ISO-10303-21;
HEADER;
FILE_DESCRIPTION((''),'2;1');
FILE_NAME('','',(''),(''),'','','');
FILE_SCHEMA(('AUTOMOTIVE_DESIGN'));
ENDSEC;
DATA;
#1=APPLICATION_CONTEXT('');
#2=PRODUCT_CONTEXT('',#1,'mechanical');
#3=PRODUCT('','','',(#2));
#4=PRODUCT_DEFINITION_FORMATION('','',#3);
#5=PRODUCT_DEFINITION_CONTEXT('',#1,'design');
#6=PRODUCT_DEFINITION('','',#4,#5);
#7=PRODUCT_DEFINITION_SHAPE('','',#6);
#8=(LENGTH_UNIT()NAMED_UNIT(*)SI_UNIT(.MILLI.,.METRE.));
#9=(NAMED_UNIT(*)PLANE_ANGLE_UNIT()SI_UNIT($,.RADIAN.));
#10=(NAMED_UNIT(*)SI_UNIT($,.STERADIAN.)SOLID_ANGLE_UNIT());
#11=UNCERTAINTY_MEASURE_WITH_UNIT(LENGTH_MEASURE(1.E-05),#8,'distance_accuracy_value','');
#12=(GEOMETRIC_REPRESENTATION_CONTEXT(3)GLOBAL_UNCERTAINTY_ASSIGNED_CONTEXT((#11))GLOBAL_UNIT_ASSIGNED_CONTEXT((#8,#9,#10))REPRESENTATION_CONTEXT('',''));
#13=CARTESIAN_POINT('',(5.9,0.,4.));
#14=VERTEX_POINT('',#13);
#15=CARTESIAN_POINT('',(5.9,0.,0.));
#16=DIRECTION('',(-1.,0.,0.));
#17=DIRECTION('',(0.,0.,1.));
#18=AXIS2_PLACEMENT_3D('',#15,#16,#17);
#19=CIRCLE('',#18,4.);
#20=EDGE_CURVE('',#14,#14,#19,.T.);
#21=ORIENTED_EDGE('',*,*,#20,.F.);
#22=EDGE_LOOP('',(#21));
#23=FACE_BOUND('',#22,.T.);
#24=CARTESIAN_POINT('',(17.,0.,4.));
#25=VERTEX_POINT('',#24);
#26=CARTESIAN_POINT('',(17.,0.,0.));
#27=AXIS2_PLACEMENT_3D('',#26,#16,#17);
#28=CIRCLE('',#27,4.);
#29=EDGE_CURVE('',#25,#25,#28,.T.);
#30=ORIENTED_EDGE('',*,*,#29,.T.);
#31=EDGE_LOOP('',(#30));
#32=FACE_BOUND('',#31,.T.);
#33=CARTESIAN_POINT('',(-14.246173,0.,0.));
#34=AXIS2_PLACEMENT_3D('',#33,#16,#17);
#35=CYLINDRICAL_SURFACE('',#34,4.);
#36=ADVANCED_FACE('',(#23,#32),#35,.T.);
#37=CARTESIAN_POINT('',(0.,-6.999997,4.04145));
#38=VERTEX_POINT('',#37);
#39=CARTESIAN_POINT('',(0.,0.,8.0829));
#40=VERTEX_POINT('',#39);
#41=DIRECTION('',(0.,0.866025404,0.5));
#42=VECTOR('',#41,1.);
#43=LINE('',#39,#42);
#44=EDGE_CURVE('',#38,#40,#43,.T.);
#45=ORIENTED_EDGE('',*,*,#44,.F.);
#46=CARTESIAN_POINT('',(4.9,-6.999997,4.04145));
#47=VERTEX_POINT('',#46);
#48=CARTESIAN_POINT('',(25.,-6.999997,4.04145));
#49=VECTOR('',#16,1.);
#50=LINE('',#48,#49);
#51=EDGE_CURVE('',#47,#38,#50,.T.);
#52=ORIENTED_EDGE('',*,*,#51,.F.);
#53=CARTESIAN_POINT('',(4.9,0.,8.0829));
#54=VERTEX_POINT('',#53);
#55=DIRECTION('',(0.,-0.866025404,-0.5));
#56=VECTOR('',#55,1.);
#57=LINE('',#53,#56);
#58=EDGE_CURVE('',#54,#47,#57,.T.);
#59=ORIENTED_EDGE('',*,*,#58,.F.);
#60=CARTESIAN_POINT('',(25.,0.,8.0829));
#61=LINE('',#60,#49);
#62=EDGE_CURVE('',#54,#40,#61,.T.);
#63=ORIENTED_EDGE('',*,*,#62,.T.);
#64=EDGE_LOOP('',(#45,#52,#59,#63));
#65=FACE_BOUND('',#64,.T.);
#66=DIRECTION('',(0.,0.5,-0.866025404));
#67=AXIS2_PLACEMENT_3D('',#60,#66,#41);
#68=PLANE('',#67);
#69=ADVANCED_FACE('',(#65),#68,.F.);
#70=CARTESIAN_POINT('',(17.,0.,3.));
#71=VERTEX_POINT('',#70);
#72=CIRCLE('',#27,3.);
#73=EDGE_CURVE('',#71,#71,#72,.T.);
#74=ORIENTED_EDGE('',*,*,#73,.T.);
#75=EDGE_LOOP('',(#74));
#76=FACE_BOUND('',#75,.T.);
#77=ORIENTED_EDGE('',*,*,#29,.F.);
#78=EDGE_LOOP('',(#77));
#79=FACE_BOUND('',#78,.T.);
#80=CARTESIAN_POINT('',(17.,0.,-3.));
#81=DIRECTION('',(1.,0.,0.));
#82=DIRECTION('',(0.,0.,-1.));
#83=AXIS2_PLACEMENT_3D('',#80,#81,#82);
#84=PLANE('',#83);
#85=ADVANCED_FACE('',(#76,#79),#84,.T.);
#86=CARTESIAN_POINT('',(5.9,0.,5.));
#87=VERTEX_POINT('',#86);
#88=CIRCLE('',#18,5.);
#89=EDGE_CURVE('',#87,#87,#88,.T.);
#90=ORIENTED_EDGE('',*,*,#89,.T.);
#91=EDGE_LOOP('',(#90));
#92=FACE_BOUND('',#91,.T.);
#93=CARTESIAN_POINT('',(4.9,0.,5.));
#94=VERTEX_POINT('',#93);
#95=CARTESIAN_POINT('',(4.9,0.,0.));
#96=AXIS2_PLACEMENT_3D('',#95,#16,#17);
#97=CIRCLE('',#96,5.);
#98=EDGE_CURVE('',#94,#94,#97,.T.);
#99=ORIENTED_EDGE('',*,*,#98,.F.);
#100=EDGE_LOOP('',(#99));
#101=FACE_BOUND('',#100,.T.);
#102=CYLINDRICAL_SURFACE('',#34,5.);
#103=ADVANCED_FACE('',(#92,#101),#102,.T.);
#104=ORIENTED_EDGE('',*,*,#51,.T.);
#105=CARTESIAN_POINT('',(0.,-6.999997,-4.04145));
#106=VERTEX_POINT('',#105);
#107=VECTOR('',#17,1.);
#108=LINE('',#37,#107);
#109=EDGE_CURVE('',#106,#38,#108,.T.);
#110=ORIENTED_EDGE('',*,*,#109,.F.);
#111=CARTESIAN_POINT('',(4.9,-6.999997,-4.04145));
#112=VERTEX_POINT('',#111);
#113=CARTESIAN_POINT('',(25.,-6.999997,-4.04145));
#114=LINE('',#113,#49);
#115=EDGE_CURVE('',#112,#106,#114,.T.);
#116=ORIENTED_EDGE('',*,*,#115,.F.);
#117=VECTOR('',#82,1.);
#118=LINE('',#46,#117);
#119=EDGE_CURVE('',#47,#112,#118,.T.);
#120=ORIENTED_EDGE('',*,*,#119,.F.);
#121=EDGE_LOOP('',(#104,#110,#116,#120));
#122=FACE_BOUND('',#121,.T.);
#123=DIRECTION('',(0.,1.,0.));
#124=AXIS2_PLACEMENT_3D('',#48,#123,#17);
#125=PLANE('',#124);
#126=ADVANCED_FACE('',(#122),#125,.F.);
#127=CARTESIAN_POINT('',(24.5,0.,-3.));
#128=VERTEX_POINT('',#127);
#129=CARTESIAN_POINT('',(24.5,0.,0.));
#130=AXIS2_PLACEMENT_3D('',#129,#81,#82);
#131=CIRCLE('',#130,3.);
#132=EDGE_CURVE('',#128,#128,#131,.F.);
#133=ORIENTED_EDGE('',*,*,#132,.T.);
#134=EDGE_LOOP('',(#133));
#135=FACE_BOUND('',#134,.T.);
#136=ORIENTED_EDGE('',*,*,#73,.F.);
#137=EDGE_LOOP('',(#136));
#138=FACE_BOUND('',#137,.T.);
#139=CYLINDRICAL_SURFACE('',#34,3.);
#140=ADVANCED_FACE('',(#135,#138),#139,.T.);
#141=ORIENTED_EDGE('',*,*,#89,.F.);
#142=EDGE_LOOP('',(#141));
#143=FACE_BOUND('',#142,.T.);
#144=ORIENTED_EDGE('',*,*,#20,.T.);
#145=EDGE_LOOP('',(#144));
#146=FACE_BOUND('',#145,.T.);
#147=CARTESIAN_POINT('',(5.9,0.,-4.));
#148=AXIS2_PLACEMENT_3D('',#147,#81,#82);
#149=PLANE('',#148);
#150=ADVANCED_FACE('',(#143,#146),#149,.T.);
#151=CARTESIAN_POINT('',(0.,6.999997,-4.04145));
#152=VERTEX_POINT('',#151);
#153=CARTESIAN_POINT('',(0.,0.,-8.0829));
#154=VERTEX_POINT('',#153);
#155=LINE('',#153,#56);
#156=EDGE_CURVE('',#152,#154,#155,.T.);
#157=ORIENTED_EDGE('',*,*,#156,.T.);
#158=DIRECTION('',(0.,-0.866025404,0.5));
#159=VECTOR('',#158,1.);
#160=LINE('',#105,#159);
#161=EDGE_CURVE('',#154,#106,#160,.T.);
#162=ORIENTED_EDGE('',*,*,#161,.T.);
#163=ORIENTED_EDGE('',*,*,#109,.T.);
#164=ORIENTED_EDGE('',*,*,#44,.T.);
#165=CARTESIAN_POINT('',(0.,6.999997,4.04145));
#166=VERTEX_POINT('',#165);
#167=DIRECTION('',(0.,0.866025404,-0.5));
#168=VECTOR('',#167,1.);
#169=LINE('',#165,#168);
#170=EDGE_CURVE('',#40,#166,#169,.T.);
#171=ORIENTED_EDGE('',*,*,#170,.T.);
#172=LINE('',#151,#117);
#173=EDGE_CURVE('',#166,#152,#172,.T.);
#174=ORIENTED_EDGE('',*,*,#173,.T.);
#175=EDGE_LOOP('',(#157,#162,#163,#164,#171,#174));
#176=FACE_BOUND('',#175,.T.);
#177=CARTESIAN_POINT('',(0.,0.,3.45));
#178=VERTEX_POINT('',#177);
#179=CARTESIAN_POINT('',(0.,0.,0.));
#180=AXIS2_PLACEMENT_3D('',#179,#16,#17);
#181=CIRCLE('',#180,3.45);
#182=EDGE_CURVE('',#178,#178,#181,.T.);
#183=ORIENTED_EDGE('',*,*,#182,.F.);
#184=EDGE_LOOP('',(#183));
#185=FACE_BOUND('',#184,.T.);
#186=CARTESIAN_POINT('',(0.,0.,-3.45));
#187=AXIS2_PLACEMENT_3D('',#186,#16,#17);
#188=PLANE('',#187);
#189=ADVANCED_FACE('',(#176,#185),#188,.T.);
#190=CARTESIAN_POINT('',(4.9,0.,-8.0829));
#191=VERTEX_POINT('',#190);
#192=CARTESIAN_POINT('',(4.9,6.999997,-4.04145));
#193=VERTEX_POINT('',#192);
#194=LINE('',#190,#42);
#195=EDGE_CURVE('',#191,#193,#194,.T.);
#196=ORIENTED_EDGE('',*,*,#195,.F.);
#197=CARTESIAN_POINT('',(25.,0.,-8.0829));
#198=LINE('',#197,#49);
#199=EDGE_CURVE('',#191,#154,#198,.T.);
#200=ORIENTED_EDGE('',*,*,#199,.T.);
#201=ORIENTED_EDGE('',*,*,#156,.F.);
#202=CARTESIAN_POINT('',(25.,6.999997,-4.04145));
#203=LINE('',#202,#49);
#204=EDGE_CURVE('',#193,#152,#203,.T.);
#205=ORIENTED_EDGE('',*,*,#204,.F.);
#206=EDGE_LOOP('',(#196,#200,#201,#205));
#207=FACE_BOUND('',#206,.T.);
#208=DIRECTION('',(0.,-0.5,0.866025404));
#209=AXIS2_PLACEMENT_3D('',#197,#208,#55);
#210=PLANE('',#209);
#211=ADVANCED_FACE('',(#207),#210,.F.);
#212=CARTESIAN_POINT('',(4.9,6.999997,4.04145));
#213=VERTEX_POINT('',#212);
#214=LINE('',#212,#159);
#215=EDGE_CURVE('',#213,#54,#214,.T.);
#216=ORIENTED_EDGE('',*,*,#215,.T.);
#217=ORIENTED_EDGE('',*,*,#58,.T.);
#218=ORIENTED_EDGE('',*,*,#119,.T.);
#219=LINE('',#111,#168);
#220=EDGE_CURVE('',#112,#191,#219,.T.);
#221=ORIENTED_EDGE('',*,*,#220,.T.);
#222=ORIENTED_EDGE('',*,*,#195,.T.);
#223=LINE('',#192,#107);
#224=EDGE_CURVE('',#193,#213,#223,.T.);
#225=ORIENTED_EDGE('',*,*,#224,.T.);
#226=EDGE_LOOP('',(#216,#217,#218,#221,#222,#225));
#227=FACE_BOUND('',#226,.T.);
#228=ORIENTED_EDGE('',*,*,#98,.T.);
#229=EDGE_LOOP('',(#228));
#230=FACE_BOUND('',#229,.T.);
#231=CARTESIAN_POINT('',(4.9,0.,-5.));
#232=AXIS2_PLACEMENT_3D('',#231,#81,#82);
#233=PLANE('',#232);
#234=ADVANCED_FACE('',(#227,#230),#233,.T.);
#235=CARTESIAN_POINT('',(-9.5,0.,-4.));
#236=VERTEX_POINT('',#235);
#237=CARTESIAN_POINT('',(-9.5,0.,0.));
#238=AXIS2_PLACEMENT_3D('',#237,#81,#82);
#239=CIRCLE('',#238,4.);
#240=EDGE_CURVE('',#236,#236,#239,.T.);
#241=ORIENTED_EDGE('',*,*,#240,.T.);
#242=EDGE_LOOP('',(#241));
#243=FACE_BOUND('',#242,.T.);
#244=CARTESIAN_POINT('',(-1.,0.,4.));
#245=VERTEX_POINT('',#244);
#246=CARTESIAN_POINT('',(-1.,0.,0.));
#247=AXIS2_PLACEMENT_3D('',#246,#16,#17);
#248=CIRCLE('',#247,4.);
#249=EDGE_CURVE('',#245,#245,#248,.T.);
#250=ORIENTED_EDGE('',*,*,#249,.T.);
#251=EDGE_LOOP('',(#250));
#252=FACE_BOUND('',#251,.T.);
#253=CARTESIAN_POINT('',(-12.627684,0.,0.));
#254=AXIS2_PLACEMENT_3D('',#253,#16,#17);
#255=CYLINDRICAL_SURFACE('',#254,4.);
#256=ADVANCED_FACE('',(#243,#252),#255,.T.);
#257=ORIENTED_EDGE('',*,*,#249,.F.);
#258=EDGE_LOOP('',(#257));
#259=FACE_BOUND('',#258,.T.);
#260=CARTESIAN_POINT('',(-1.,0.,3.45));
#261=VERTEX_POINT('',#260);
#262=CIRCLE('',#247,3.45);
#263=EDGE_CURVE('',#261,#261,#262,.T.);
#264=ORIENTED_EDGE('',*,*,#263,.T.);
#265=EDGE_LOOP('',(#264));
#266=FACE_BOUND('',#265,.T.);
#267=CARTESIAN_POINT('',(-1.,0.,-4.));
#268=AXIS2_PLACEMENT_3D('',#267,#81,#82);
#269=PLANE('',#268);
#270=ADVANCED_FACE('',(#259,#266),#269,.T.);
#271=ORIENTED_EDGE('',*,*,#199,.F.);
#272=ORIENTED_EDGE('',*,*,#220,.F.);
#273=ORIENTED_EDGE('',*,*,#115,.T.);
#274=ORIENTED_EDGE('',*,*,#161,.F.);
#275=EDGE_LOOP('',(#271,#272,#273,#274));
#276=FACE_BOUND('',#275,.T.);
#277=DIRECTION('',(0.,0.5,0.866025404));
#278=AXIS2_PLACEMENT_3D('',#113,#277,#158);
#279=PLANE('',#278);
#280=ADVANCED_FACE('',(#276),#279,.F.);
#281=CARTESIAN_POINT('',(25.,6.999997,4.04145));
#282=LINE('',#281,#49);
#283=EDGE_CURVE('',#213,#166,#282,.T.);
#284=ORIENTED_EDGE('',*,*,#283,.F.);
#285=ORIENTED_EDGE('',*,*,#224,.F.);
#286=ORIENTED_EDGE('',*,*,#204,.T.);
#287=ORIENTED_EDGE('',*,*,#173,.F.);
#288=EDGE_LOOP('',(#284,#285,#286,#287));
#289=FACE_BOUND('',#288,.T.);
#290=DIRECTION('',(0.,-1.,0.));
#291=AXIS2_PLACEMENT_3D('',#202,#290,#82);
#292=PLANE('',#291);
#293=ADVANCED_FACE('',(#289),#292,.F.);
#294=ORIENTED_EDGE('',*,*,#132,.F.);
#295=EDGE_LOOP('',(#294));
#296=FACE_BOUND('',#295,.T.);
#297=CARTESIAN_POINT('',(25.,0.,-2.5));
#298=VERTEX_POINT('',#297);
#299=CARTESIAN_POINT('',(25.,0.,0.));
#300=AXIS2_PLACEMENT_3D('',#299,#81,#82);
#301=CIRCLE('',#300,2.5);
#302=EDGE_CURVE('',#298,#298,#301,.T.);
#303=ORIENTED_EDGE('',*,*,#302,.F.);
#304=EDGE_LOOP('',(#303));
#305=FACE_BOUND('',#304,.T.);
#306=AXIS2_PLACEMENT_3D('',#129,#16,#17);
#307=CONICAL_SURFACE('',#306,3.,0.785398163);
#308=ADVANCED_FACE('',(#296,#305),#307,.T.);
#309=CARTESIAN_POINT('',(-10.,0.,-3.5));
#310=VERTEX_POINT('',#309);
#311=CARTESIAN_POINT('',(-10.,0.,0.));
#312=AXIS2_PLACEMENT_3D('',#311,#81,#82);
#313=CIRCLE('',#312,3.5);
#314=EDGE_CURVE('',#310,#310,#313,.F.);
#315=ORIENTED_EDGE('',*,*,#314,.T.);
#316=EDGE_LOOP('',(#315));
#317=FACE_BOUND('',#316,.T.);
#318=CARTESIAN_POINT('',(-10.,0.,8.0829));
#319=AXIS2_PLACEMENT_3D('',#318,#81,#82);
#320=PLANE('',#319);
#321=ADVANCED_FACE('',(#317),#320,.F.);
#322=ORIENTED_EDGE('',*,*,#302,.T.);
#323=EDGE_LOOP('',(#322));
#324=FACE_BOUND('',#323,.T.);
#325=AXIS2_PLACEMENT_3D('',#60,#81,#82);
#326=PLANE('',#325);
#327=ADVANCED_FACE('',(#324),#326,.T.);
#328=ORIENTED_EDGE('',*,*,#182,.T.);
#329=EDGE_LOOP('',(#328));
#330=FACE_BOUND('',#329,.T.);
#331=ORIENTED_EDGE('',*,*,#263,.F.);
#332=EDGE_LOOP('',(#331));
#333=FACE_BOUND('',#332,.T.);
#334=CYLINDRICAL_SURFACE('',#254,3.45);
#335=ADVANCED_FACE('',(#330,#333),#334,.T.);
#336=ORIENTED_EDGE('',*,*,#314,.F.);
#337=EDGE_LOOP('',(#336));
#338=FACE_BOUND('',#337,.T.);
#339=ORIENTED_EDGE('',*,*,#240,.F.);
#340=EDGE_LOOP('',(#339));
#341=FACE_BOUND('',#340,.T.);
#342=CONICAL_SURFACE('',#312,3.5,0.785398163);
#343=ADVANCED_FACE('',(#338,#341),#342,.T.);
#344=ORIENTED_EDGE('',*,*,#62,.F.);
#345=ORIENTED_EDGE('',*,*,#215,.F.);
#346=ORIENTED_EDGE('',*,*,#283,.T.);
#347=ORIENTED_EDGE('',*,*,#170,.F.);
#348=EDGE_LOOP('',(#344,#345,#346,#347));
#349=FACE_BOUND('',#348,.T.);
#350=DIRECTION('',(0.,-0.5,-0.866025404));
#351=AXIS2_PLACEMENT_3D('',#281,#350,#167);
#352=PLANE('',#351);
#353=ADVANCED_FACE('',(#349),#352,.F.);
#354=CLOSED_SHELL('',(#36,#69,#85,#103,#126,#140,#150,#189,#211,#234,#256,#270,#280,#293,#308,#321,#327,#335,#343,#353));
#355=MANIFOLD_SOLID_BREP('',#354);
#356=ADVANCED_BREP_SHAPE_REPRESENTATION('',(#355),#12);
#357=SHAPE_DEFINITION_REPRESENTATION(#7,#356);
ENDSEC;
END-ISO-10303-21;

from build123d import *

# Parameters (mm, degrees)
BOSS_EXTRUDE1_START = -10
BOSS_EXTRUDE1_DEPTH = 35
CHAMFER1_SIZE       = 0.5


with BuildPart() as part:
    # Sketch1 → Boss-Extrude1 (new body)
    with BuildSketch(Plane(origin=(0, 0, 0), x_dir=(0, 0, -1), z_dir=(1, 0, 0)).offset(BOSS_EXTRUDE1_START)):
        Polygon((-8.0829, 0), (-4.04145, -6.999996736), (4.04145, -6.999996736), (8.0829, 0), (4.04145, 6.999996736), (-4.04145, 6.999996736), align=None)
    extrude(amount=BOSS_EXTRUDE1_DEPTH)

    # Sketch2 → Cut-Revolve1 (revolve, cut)
    with BuildSketch(Plane(origin=(0, 0, 0), x_dir=(1, 0, 0), z_dir=(0, 1, 0)), mode=Mode.PRIVATE) as cut_revolve1_sk:
        Polygon((0, 8.0829), (-10, 8.0829), (-10, 4), (-1, 4), (-1, 3.45), (0, 3.45), align=None)
    revolve(cut_revolve1_sk.sketch.rotate(Axis((-12.627683811, 0, 0), (1, 0, 0)), 180), axis=Axis((-12.627683811, 0, 0), (1, 0, 0)), mode=Mode.SUBTRACT)

    # Sketch3 → Cut-Revolve2 (revolve, cut)
    with BuildSketch(Plane(origin=(0, 0, 0), x_dir=(1, 0, 0), z_dir=(0, 1, 0)), mode=Mode.PRIVATE) as cut_revolve2_sk:
        Polygon((25, 8.0829), (25, 3), (17, 3), (17, 4), (5.9, 4), (5.9, 5), (4.9, 5), (4.9, 8.0829), align=None)
    revolve(cut_revolve2_sk.sketch.rotate(Axis((-14.24617289, 0, 0), (1, 0, 0)), 180), axis=Axis((-14.24617289, 0, 0), (1, 0, 0)), mode=Mode.SUBTRACT)

    # Chamfer1
    chamfer1_edges = [part.edges().sort_by_distance(p)[0] for p in [
        (-10, 0, -4),
        (25, 0, -3),
    ]]
    chamfer(chamfer1_edges, length=CHAMFER1_SIZE)


solid = part.part
